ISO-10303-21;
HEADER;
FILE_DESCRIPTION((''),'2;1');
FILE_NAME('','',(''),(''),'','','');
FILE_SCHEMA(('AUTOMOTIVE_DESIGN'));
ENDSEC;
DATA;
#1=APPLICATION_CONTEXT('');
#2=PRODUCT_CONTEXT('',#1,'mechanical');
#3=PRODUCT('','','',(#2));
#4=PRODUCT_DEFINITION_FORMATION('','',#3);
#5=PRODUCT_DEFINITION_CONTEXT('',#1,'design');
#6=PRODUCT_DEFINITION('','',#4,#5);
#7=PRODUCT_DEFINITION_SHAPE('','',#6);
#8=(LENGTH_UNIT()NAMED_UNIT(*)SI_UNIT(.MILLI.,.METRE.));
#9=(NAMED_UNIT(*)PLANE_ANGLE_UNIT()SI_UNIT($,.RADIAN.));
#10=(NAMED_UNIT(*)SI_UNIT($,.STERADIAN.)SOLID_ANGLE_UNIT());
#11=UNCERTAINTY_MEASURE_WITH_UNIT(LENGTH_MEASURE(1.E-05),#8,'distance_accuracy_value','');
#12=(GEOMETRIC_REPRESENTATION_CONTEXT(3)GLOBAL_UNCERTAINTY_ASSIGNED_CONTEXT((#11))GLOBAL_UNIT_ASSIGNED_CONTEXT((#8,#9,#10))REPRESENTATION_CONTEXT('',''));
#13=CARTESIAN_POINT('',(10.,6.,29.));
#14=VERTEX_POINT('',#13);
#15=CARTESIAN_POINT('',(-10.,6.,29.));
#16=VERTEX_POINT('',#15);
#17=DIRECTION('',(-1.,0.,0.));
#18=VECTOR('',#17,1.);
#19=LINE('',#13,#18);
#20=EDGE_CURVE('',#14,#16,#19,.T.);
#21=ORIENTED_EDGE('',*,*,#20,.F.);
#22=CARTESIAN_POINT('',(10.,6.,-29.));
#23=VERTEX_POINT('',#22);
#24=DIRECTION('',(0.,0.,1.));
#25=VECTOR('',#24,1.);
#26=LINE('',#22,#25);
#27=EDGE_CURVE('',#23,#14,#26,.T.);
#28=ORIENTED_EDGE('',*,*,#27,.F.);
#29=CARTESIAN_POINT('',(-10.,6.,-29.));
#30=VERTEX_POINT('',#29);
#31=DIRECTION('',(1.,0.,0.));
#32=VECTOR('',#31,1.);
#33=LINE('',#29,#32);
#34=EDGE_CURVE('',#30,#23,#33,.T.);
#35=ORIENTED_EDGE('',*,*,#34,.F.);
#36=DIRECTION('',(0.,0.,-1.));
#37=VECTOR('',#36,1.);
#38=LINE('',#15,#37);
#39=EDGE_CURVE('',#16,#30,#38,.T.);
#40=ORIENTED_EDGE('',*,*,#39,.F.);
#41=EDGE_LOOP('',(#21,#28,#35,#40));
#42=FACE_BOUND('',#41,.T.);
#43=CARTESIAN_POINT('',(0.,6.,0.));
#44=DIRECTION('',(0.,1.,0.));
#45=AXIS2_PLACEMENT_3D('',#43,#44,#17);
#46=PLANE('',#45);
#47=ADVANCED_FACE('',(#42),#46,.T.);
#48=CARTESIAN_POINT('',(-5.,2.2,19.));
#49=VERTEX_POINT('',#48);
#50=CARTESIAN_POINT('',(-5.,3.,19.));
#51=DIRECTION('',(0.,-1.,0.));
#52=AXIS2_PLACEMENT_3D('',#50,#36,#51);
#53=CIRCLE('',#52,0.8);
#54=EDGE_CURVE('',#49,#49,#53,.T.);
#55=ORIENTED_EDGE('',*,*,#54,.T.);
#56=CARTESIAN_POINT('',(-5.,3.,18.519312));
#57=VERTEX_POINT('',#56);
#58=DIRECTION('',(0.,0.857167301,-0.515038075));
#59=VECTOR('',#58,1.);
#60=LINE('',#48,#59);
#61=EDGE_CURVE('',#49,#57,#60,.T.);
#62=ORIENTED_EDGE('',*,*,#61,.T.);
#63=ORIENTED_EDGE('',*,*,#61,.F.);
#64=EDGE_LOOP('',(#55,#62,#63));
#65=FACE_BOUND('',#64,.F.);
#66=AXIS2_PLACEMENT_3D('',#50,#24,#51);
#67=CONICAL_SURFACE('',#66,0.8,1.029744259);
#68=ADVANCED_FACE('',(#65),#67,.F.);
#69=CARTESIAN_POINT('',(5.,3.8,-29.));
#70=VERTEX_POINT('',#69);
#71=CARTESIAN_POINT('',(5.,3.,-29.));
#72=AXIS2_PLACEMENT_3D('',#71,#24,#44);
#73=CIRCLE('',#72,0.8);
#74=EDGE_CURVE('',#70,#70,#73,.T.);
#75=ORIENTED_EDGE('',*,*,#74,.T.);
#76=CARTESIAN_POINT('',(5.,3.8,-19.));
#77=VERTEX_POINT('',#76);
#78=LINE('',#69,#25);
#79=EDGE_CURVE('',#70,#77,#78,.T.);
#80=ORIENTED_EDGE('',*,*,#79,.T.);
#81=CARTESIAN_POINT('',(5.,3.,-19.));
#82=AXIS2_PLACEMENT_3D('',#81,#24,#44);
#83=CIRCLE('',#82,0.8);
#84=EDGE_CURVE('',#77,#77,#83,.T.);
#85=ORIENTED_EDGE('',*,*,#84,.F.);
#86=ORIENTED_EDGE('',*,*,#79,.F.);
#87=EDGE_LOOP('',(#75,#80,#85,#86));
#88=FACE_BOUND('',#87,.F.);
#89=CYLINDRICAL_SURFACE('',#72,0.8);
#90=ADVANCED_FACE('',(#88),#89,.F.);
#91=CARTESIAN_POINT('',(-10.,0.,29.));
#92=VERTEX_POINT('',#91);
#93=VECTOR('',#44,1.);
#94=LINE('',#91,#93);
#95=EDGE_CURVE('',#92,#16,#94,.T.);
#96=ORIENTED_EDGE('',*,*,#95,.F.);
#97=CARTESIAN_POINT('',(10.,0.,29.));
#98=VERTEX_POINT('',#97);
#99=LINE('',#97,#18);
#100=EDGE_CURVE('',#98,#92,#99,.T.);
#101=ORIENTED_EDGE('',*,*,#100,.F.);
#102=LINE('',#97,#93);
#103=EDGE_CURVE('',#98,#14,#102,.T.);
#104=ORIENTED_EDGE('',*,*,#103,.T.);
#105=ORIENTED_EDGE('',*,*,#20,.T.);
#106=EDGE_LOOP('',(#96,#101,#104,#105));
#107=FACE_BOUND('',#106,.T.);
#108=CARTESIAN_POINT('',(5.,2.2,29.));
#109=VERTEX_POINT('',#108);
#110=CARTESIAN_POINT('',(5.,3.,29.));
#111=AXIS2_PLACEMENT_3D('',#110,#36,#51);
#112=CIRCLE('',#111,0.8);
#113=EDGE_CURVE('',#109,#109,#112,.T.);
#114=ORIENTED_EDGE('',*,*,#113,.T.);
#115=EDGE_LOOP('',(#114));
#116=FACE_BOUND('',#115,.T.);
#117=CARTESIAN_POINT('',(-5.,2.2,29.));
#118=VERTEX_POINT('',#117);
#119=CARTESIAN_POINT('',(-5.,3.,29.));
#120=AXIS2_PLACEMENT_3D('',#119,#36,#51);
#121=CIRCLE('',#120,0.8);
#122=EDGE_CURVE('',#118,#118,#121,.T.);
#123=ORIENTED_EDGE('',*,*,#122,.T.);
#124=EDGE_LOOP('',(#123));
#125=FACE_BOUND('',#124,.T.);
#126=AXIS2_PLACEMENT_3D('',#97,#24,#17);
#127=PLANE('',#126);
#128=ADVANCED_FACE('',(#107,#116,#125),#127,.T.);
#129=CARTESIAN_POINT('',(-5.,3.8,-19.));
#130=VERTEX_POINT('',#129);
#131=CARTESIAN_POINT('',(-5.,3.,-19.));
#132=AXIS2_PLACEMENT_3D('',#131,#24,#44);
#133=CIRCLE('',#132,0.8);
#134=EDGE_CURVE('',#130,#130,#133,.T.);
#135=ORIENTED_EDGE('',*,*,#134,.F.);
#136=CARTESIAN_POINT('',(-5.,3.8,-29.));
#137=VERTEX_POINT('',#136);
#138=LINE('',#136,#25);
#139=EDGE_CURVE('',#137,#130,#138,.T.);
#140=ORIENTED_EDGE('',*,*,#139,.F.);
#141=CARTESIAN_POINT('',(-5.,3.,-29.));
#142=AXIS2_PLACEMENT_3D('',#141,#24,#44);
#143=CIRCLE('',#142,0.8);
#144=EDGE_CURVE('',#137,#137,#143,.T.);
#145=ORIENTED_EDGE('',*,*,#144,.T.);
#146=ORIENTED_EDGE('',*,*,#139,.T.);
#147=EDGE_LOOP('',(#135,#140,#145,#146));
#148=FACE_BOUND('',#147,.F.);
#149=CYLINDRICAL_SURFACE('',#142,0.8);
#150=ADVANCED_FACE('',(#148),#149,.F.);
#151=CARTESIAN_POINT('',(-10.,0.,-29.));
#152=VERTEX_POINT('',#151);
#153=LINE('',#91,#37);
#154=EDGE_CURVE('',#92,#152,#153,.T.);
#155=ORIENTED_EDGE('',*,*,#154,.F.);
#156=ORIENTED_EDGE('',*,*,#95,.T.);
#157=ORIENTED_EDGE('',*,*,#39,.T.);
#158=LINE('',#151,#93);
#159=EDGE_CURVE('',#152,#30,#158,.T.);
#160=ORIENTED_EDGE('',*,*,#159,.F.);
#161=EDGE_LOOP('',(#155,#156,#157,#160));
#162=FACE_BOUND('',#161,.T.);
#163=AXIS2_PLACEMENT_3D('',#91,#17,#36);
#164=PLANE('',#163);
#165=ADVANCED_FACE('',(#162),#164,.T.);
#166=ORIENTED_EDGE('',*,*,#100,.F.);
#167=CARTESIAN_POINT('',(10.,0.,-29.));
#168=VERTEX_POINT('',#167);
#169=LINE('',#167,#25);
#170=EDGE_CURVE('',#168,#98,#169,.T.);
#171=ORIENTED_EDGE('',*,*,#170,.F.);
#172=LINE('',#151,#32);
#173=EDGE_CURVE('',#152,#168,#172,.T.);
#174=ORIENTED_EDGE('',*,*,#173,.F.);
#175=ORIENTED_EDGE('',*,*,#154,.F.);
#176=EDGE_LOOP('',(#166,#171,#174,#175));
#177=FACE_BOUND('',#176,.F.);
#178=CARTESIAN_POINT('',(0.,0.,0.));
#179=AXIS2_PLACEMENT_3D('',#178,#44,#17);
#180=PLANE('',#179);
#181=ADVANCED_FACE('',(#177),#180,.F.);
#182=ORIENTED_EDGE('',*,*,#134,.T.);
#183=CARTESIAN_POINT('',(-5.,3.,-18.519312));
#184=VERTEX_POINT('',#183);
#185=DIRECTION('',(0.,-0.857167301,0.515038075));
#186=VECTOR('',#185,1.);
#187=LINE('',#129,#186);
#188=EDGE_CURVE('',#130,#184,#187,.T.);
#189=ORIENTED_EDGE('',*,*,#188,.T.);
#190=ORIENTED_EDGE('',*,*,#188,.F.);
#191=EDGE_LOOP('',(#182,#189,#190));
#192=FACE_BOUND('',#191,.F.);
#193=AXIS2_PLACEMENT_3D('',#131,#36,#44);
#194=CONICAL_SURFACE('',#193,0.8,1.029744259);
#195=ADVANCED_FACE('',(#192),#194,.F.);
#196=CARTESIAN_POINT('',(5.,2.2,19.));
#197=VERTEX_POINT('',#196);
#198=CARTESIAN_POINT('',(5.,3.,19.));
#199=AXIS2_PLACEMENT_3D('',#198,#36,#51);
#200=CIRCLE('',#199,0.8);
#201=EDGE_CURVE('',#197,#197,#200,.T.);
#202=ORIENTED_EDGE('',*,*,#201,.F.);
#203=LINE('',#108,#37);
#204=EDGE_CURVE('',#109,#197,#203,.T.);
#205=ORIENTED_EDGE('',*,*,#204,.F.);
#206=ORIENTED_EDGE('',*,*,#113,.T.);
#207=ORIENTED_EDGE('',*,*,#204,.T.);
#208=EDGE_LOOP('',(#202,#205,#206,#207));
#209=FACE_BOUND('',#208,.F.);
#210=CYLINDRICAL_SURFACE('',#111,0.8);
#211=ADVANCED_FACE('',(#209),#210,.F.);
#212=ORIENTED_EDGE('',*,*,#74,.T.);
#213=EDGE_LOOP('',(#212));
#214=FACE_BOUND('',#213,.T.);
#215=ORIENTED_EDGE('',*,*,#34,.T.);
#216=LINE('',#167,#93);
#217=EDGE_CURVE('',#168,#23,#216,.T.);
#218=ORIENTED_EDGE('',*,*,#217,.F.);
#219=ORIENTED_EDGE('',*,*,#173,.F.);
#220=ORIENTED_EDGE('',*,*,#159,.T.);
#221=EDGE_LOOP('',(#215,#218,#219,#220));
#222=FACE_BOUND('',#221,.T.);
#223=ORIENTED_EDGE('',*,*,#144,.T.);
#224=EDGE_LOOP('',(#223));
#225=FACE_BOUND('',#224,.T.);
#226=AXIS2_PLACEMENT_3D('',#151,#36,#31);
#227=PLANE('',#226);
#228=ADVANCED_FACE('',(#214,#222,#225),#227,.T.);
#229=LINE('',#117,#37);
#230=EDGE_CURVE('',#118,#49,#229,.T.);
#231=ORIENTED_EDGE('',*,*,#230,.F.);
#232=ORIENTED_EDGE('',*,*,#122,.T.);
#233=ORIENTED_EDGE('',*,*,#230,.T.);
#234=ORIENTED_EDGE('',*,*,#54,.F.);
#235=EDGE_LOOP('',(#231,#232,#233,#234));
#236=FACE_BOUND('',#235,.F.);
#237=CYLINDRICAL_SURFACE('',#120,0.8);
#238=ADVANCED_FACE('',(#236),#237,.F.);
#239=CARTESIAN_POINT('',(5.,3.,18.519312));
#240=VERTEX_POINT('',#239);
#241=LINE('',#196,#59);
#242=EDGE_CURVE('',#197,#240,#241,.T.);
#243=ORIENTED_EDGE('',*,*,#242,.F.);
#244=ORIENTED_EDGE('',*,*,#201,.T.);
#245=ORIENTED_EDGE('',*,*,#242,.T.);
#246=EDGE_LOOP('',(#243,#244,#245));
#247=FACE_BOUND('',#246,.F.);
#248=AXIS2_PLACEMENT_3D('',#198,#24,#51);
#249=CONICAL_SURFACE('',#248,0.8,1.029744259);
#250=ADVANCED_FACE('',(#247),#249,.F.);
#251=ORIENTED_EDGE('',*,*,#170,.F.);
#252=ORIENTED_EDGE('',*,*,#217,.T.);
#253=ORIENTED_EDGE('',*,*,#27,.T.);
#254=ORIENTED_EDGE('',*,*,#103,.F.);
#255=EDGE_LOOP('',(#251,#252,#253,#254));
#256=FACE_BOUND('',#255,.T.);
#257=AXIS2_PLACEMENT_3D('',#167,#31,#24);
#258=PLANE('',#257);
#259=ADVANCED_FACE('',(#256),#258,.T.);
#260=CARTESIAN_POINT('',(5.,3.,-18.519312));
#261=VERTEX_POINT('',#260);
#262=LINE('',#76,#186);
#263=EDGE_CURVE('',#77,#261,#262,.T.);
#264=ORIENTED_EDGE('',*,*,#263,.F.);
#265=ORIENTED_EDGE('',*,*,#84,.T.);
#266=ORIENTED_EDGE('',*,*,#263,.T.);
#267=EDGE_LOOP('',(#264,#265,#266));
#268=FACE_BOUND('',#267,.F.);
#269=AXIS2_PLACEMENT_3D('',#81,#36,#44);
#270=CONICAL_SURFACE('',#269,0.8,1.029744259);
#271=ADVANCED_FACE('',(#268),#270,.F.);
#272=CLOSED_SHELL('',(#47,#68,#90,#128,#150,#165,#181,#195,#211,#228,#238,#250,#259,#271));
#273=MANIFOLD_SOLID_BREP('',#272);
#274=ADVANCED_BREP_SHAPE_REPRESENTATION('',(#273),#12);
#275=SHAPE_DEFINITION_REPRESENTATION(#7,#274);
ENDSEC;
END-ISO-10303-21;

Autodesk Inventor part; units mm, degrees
ref_plane "YZ Plane" through (0, 0, 0) normal (1, 0, 0) x (0, 1, 0)
ref_plane "XZ Plane" through (0, 0, 0) normal (0, 1, 0) x (-1, 0, 0)
ref_plane "XY Plane" through (0, 0, 0) normal (0, 0, 1) x (1, 0, 0)
sketch "スケッチ1" plane through (0, 0, 0) normal (0, 1, 0) x (-1, 0, 0)
  line L0 (-10, 29) -> (10, 29)
  line L1 (10, 29) -> (10, -29)
  line L2 (10, -29) -> (-10, -29)
  line L3 (-10, -29) -> (-10, 29)
  point P0 (0, 0)
  dimension "d0" = 20
  dimension "d2" = 58
  dimension "d3" = 29
  dimension "d4" = 10
extrude "押し出し1" add sketch "スケッチ1" along normal blind 6
sketch "スケッチ2" plane through (-10, 0, 29) normal (0, 0, 1) x (1, 0, 0)
  line L0 (20, 0) -> (0, 0) projected
  line L1 (0, 0) -> (0, 6) projected
  circle A0 centre (5, 3) radius 1
  circle A1 centre (15, 3) radius 1
  point P0 (10, 0)
  dimension "d7" = 2
  dimension "d9" = 10
  dimension "d10" = 5
  dimension "d11" = 3
  dimension "d12" = 3
hole "穴1" at (5, 3, 29) at (-5, 3, 29) direction (0, 0, -1) diameter 1.6 depth 10 tip angle 118
sketch "スケッチ3" plane through (10, 0, -29) normal (0, 0, -1) x (-1, 0, 0)
  line L0 (20, 0) -> (0, 0) projected
  line L1 (0, 0) -> (0, 6) projected
  circle A0 centre (5, 3) radius 1
  circle A1 centre (15, 3) radius 1
  point P0 (10, 0)
  dimension "d20" = 2
  dimension "d22" = 3
  dimension "d23" = 3
  dimension "d24" = 10
  dimension "d25" = 5
hole "穴2" at (5, 3, -29) at (-5, 3, -29) direction (0, 0, 1) diameter 1.6 depth 10 tip angle 118
properties part number "Leg_Shim" material "アセタール樹脂、白"
